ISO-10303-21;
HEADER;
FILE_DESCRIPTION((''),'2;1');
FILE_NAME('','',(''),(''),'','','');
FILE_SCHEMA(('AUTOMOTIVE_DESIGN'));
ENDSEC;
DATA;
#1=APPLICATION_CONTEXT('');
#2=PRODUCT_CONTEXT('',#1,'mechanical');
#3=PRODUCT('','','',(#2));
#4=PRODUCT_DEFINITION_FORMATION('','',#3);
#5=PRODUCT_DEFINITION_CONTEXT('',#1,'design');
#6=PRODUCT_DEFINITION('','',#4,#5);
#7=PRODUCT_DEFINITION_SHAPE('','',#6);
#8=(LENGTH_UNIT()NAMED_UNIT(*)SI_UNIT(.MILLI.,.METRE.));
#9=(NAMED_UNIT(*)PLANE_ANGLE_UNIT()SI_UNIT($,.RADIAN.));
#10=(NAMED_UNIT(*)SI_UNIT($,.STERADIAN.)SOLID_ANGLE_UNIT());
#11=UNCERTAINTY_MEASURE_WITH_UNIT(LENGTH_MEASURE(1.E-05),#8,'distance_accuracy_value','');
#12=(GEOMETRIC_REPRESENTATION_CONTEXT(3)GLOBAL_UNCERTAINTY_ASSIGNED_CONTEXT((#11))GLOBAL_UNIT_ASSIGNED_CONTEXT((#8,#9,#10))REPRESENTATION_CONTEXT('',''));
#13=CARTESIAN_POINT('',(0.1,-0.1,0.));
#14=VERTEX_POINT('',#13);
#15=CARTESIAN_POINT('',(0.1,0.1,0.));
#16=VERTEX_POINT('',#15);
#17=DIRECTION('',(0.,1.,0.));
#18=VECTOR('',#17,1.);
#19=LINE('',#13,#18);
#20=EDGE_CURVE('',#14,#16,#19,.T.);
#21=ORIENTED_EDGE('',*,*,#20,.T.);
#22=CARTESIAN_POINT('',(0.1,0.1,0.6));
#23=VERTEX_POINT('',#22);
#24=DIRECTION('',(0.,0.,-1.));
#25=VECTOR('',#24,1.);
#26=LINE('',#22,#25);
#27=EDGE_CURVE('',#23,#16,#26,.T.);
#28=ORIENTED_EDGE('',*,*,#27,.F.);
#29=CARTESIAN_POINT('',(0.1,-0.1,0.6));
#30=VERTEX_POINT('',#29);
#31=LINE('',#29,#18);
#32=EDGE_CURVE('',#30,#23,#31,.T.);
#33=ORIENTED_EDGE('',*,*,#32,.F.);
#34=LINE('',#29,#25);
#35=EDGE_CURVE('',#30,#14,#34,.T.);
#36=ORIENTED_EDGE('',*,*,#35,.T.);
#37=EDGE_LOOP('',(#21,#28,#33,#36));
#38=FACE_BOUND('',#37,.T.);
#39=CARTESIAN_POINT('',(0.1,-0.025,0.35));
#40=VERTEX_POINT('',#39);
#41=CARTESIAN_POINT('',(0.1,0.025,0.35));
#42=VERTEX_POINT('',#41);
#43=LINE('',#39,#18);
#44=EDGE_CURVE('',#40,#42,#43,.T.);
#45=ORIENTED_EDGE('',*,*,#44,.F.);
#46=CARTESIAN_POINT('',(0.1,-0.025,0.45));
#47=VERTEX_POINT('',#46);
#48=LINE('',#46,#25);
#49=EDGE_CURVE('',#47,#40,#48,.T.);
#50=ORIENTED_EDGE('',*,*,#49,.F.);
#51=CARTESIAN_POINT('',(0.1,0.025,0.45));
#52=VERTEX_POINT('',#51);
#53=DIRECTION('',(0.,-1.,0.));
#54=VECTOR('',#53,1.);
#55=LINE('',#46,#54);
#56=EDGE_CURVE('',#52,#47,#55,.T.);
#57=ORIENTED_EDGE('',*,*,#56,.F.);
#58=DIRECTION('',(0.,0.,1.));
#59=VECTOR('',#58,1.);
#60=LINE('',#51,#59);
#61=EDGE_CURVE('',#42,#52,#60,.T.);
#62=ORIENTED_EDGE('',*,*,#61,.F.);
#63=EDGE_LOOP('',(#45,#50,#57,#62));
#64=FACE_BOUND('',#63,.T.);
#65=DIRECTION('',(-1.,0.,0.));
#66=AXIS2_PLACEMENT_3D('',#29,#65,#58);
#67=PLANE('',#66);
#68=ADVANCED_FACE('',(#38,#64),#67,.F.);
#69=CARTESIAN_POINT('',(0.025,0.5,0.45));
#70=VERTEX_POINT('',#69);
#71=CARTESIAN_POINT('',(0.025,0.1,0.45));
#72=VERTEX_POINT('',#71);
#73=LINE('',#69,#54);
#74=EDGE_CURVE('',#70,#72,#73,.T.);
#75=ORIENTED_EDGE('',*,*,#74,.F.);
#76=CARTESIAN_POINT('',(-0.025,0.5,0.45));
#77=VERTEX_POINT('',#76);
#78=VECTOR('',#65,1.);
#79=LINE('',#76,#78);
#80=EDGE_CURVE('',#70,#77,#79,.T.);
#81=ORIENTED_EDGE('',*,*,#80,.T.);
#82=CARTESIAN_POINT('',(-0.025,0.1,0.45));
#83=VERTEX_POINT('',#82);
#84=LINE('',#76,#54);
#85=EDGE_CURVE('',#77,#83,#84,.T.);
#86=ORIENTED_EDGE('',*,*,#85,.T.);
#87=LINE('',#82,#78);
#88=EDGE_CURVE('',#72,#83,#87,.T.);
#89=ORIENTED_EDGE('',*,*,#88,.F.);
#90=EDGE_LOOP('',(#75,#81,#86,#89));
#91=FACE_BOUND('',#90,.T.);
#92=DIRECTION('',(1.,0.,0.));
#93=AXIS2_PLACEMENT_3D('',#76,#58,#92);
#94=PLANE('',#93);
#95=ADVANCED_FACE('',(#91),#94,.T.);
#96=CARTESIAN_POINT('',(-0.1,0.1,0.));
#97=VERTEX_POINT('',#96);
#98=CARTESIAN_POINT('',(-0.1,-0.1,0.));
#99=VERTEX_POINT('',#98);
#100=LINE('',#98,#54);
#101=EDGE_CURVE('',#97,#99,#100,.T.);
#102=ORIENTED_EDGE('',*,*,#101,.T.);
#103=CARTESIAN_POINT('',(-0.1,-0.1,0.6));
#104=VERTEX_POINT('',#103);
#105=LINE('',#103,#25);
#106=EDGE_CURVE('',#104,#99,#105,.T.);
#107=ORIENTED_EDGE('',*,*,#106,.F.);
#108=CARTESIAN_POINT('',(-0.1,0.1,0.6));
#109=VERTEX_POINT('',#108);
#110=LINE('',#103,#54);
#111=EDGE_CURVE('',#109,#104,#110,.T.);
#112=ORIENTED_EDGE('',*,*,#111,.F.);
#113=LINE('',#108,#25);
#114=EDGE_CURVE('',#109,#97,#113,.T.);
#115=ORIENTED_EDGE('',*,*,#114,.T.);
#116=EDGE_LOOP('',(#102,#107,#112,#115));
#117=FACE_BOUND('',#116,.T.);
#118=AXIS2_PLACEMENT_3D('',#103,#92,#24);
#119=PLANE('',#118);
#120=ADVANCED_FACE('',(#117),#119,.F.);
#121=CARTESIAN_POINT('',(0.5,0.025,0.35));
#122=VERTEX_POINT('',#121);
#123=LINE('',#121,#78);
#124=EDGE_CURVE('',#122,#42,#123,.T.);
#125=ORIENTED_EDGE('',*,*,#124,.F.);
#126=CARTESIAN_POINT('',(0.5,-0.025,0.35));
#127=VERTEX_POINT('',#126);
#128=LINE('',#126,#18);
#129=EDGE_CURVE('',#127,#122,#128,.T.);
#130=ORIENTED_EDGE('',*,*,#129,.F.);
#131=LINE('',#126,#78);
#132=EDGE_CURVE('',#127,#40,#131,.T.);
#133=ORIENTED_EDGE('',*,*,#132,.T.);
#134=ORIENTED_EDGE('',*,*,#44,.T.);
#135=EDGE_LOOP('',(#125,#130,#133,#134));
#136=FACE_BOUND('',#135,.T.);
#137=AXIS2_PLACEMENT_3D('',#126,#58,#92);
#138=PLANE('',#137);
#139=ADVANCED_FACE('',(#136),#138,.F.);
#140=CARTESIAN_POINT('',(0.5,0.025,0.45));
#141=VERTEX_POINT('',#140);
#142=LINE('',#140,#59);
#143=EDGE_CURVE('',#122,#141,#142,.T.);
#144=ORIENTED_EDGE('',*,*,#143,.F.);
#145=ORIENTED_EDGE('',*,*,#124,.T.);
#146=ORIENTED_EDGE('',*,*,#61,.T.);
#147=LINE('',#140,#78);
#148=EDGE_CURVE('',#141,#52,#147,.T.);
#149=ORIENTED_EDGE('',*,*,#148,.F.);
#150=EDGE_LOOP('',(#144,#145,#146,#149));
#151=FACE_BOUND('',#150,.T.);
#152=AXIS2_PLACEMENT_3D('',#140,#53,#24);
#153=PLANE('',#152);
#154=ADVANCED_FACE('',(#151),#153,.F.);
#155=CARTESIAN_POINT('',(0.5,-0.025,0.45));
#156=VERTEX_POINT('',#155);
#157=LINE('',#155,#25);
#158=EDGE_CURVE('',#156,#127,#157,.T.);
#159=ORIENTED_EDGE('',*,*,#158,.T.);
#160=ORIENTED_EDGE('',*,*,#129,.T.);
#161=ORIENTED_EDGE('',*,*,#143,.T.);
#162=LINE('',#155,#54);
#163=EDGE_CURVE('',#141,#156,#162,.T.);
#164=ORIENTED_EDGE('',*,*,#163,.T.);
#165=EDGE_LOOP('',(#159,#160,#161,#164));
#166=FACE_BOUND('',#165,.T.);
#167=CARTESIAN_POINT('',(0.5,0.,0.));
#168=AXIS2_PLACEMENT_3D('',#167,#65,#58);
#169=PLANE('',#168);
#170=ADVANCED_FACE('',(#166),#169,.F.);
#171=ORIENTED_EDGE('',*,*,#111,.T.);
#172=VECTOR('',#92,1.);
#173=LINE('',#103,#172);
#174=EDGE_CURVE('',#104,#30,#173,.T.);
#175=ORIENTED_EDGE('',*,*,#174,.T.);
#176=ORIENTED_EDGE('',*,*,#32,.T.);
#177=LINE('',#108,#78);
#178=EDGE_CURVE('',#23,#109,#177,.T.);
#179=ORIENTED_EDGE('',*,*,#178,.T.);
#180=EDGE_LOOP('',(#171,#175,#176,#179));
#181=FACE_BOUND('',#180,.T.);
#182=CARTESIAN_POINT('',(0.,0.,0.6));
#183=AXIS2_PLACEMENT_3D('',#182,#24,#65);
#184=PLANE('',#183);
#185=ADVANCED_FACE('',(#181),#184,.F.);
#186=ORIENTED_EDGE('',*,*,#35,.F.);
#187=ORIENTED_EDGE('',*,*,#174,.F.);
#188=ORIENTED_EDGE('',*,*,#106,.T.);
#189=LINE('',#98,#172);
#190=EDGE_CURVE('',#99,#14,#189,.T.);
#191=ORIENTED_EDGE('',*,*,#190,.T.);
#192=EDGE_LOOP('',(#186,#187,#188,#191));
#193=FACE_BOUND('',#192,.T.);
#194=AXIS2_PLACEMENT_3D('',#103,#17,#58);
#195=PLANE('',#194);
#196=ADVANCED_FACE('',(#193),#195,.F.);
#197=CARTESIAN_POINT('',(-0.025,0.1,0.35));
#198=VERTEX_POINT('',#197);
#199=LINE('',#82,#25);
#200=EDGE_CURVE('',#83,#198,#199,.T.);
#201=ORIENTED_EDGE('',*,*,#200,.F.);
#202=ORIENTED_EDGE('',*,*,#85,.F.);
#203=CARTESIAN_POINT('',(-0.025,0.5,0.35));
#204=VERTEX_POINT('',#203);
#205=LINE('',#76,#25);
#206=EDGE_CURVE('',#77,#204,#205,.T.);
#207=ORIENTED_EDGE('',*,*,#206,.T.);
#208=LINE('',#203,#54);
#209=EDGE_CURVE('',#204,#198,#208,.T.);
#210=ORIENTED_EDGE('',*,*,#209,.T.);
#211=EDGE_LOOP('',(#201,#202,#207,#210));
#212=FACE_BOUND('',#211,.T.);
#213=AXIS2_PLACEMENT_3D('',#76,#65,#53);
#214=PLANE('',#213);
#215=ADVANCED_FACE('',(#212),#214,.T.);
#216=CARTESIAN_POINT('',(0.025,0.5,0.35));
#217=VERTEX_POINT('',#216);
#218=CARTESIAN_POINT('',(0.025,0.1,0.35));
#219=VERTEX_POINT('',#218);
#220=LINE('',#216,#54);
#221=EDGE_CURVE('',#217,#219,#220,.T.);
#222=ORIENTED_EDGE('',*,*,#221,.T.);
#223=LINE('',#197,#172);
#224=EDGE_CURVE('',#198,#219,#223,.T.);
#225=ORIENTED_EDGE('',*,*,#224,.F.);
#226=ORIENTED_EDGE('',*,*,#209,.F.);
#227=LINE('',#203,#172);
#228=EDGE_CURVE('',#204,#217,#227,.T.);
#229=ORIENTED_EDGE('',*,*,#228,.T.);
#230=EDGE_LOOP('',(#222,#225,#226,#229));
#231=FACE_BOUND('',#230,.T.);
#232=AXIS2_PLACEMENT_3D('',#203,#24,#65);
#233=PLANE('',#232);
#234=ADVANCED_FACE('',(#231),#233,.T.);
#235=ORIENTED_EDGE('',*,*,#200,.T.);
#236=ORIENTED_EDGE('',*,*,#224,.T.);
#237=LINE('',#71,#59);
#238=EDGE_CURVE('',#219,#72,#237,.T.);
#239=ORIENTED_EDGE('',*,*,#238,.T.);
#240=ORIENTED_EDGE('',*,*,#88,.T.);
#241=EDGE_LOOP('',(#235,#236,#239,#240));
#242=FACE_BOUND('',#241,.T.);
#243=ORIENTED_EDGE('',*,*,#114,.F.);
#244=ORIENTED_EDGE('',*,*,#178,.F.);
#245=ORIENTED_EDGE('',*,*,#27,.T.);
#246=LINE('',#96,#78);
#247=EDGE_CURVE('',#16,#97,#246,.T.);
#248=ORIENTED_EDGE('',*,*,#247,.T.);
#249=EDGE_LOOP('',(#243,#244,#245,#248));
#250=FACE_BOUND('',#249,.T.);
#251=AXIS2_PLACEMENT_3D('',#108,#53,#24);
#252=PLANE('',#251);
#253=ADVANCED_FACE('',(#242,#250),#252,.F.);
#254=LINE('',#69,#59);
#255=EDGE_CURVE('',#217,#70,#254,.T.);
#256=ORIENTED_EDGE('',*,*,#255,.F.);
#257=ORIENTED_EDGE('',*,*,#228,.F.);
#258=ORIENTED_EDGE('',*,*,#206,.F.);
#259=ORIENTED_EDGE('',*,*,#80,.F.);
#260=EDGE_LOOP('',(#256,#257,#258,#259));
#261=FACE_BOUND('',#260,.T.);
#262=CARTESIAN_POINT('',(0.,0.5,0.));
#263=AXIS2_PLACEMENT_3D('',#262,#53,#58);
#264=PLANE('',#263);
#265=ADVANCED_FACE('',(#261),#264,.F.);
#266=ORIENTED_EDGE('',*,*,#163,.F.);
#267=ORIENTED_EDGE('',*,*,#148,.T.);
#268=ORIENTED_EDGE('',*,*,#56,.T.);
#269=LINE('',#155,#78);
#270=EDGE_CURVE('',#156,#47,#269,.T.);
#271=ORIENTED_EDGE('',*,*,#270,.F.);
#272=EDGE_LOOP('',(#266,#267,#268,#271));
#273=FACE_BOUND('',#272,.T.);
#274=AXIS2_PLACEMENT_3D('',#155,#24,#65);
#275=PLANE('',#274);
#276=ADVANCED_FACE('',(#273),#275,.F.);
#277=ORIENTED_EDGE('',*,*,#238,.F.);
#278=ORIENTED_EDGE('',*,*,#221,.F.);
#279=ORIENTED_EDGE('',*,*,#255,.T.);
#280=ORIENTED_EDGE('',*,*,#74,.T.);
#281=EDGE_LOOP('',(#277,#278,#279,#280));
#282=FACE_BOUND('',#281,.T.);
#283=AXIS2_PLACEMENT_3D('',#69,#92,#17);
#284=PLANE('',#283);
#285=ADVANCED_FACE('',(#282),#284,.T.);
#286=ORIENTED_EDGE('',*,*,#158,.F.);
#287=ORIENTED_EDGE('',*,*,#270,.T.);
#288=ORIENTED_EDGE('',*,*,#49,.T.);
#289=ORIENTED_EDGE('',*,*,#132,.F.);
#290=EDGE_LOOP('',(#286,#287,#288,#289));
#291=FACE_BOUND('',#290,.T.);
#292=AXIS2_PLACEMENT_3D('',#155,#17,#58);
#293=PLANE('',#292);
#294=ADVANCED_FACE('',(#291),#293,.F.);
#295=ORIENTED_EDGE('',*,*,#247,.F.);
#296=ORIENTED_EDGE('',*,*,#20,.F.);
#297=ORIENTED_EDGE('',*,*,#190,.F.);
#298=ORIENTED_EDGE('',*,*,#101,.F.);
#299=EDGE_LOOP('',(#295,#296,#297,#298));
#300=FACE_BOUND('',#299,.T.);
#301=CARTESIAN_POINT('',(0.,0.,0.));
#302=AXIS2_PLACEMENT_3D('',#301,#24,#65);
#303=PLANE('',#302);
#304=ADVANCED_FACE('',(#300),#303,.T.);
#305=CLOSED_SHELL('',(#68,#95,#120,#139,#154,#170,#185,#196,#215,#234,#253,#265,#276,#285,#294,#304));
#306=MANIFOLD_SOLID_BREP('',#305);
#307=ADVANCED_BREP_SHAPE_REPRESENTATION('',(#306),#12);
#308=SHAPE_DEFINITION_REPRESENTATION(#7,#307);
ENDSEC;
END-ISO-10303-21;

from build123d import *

# Parameters (mm, degrees)
SKETCH2_W           = 0.2
SKETCH2_H           = 0.2
BOSS_EXTRUDE1_DEPTH = 0.6
SKETCH3_W           = 0.1
SKETCH3_H           = 0.05
BOSS_EXTRUDE2_DEPTH = 0.4


with BuildPart() as part:
    # Sketch2 → Boss-Extrude1 (new body)
    with BuildSketch(Plane.XY):
        Rectangle(SKETCH2_W, SKETCH2_H)
    extrude(amount=BOSS_EXTRUDE1_DEPTH)

    # Sketch3 → Boss-Extrude2 (add)
    with BuildSketch(Plane(origin=(0.1, 0, 0), x_dir=(0, 0, -1), z_dir=(1, 0, 0))):
        with Locations((-0.4, 0)):
            Rectangle(SKETCH3_W, SKETCH3_H)
    boss_extrude2 = extrude(amount=BOSS_EXTRUDE2_DEPTH)

    # Mirror1: Boss-Extrude2 across plane
    add(boss_extrude2.mirror(Plane(origin=(0, 0, 0), x_dir=(0, 0, 1), z_dir=(-0.7071067811865477, 0.7071067811865475, 0))))


solid = part.part
